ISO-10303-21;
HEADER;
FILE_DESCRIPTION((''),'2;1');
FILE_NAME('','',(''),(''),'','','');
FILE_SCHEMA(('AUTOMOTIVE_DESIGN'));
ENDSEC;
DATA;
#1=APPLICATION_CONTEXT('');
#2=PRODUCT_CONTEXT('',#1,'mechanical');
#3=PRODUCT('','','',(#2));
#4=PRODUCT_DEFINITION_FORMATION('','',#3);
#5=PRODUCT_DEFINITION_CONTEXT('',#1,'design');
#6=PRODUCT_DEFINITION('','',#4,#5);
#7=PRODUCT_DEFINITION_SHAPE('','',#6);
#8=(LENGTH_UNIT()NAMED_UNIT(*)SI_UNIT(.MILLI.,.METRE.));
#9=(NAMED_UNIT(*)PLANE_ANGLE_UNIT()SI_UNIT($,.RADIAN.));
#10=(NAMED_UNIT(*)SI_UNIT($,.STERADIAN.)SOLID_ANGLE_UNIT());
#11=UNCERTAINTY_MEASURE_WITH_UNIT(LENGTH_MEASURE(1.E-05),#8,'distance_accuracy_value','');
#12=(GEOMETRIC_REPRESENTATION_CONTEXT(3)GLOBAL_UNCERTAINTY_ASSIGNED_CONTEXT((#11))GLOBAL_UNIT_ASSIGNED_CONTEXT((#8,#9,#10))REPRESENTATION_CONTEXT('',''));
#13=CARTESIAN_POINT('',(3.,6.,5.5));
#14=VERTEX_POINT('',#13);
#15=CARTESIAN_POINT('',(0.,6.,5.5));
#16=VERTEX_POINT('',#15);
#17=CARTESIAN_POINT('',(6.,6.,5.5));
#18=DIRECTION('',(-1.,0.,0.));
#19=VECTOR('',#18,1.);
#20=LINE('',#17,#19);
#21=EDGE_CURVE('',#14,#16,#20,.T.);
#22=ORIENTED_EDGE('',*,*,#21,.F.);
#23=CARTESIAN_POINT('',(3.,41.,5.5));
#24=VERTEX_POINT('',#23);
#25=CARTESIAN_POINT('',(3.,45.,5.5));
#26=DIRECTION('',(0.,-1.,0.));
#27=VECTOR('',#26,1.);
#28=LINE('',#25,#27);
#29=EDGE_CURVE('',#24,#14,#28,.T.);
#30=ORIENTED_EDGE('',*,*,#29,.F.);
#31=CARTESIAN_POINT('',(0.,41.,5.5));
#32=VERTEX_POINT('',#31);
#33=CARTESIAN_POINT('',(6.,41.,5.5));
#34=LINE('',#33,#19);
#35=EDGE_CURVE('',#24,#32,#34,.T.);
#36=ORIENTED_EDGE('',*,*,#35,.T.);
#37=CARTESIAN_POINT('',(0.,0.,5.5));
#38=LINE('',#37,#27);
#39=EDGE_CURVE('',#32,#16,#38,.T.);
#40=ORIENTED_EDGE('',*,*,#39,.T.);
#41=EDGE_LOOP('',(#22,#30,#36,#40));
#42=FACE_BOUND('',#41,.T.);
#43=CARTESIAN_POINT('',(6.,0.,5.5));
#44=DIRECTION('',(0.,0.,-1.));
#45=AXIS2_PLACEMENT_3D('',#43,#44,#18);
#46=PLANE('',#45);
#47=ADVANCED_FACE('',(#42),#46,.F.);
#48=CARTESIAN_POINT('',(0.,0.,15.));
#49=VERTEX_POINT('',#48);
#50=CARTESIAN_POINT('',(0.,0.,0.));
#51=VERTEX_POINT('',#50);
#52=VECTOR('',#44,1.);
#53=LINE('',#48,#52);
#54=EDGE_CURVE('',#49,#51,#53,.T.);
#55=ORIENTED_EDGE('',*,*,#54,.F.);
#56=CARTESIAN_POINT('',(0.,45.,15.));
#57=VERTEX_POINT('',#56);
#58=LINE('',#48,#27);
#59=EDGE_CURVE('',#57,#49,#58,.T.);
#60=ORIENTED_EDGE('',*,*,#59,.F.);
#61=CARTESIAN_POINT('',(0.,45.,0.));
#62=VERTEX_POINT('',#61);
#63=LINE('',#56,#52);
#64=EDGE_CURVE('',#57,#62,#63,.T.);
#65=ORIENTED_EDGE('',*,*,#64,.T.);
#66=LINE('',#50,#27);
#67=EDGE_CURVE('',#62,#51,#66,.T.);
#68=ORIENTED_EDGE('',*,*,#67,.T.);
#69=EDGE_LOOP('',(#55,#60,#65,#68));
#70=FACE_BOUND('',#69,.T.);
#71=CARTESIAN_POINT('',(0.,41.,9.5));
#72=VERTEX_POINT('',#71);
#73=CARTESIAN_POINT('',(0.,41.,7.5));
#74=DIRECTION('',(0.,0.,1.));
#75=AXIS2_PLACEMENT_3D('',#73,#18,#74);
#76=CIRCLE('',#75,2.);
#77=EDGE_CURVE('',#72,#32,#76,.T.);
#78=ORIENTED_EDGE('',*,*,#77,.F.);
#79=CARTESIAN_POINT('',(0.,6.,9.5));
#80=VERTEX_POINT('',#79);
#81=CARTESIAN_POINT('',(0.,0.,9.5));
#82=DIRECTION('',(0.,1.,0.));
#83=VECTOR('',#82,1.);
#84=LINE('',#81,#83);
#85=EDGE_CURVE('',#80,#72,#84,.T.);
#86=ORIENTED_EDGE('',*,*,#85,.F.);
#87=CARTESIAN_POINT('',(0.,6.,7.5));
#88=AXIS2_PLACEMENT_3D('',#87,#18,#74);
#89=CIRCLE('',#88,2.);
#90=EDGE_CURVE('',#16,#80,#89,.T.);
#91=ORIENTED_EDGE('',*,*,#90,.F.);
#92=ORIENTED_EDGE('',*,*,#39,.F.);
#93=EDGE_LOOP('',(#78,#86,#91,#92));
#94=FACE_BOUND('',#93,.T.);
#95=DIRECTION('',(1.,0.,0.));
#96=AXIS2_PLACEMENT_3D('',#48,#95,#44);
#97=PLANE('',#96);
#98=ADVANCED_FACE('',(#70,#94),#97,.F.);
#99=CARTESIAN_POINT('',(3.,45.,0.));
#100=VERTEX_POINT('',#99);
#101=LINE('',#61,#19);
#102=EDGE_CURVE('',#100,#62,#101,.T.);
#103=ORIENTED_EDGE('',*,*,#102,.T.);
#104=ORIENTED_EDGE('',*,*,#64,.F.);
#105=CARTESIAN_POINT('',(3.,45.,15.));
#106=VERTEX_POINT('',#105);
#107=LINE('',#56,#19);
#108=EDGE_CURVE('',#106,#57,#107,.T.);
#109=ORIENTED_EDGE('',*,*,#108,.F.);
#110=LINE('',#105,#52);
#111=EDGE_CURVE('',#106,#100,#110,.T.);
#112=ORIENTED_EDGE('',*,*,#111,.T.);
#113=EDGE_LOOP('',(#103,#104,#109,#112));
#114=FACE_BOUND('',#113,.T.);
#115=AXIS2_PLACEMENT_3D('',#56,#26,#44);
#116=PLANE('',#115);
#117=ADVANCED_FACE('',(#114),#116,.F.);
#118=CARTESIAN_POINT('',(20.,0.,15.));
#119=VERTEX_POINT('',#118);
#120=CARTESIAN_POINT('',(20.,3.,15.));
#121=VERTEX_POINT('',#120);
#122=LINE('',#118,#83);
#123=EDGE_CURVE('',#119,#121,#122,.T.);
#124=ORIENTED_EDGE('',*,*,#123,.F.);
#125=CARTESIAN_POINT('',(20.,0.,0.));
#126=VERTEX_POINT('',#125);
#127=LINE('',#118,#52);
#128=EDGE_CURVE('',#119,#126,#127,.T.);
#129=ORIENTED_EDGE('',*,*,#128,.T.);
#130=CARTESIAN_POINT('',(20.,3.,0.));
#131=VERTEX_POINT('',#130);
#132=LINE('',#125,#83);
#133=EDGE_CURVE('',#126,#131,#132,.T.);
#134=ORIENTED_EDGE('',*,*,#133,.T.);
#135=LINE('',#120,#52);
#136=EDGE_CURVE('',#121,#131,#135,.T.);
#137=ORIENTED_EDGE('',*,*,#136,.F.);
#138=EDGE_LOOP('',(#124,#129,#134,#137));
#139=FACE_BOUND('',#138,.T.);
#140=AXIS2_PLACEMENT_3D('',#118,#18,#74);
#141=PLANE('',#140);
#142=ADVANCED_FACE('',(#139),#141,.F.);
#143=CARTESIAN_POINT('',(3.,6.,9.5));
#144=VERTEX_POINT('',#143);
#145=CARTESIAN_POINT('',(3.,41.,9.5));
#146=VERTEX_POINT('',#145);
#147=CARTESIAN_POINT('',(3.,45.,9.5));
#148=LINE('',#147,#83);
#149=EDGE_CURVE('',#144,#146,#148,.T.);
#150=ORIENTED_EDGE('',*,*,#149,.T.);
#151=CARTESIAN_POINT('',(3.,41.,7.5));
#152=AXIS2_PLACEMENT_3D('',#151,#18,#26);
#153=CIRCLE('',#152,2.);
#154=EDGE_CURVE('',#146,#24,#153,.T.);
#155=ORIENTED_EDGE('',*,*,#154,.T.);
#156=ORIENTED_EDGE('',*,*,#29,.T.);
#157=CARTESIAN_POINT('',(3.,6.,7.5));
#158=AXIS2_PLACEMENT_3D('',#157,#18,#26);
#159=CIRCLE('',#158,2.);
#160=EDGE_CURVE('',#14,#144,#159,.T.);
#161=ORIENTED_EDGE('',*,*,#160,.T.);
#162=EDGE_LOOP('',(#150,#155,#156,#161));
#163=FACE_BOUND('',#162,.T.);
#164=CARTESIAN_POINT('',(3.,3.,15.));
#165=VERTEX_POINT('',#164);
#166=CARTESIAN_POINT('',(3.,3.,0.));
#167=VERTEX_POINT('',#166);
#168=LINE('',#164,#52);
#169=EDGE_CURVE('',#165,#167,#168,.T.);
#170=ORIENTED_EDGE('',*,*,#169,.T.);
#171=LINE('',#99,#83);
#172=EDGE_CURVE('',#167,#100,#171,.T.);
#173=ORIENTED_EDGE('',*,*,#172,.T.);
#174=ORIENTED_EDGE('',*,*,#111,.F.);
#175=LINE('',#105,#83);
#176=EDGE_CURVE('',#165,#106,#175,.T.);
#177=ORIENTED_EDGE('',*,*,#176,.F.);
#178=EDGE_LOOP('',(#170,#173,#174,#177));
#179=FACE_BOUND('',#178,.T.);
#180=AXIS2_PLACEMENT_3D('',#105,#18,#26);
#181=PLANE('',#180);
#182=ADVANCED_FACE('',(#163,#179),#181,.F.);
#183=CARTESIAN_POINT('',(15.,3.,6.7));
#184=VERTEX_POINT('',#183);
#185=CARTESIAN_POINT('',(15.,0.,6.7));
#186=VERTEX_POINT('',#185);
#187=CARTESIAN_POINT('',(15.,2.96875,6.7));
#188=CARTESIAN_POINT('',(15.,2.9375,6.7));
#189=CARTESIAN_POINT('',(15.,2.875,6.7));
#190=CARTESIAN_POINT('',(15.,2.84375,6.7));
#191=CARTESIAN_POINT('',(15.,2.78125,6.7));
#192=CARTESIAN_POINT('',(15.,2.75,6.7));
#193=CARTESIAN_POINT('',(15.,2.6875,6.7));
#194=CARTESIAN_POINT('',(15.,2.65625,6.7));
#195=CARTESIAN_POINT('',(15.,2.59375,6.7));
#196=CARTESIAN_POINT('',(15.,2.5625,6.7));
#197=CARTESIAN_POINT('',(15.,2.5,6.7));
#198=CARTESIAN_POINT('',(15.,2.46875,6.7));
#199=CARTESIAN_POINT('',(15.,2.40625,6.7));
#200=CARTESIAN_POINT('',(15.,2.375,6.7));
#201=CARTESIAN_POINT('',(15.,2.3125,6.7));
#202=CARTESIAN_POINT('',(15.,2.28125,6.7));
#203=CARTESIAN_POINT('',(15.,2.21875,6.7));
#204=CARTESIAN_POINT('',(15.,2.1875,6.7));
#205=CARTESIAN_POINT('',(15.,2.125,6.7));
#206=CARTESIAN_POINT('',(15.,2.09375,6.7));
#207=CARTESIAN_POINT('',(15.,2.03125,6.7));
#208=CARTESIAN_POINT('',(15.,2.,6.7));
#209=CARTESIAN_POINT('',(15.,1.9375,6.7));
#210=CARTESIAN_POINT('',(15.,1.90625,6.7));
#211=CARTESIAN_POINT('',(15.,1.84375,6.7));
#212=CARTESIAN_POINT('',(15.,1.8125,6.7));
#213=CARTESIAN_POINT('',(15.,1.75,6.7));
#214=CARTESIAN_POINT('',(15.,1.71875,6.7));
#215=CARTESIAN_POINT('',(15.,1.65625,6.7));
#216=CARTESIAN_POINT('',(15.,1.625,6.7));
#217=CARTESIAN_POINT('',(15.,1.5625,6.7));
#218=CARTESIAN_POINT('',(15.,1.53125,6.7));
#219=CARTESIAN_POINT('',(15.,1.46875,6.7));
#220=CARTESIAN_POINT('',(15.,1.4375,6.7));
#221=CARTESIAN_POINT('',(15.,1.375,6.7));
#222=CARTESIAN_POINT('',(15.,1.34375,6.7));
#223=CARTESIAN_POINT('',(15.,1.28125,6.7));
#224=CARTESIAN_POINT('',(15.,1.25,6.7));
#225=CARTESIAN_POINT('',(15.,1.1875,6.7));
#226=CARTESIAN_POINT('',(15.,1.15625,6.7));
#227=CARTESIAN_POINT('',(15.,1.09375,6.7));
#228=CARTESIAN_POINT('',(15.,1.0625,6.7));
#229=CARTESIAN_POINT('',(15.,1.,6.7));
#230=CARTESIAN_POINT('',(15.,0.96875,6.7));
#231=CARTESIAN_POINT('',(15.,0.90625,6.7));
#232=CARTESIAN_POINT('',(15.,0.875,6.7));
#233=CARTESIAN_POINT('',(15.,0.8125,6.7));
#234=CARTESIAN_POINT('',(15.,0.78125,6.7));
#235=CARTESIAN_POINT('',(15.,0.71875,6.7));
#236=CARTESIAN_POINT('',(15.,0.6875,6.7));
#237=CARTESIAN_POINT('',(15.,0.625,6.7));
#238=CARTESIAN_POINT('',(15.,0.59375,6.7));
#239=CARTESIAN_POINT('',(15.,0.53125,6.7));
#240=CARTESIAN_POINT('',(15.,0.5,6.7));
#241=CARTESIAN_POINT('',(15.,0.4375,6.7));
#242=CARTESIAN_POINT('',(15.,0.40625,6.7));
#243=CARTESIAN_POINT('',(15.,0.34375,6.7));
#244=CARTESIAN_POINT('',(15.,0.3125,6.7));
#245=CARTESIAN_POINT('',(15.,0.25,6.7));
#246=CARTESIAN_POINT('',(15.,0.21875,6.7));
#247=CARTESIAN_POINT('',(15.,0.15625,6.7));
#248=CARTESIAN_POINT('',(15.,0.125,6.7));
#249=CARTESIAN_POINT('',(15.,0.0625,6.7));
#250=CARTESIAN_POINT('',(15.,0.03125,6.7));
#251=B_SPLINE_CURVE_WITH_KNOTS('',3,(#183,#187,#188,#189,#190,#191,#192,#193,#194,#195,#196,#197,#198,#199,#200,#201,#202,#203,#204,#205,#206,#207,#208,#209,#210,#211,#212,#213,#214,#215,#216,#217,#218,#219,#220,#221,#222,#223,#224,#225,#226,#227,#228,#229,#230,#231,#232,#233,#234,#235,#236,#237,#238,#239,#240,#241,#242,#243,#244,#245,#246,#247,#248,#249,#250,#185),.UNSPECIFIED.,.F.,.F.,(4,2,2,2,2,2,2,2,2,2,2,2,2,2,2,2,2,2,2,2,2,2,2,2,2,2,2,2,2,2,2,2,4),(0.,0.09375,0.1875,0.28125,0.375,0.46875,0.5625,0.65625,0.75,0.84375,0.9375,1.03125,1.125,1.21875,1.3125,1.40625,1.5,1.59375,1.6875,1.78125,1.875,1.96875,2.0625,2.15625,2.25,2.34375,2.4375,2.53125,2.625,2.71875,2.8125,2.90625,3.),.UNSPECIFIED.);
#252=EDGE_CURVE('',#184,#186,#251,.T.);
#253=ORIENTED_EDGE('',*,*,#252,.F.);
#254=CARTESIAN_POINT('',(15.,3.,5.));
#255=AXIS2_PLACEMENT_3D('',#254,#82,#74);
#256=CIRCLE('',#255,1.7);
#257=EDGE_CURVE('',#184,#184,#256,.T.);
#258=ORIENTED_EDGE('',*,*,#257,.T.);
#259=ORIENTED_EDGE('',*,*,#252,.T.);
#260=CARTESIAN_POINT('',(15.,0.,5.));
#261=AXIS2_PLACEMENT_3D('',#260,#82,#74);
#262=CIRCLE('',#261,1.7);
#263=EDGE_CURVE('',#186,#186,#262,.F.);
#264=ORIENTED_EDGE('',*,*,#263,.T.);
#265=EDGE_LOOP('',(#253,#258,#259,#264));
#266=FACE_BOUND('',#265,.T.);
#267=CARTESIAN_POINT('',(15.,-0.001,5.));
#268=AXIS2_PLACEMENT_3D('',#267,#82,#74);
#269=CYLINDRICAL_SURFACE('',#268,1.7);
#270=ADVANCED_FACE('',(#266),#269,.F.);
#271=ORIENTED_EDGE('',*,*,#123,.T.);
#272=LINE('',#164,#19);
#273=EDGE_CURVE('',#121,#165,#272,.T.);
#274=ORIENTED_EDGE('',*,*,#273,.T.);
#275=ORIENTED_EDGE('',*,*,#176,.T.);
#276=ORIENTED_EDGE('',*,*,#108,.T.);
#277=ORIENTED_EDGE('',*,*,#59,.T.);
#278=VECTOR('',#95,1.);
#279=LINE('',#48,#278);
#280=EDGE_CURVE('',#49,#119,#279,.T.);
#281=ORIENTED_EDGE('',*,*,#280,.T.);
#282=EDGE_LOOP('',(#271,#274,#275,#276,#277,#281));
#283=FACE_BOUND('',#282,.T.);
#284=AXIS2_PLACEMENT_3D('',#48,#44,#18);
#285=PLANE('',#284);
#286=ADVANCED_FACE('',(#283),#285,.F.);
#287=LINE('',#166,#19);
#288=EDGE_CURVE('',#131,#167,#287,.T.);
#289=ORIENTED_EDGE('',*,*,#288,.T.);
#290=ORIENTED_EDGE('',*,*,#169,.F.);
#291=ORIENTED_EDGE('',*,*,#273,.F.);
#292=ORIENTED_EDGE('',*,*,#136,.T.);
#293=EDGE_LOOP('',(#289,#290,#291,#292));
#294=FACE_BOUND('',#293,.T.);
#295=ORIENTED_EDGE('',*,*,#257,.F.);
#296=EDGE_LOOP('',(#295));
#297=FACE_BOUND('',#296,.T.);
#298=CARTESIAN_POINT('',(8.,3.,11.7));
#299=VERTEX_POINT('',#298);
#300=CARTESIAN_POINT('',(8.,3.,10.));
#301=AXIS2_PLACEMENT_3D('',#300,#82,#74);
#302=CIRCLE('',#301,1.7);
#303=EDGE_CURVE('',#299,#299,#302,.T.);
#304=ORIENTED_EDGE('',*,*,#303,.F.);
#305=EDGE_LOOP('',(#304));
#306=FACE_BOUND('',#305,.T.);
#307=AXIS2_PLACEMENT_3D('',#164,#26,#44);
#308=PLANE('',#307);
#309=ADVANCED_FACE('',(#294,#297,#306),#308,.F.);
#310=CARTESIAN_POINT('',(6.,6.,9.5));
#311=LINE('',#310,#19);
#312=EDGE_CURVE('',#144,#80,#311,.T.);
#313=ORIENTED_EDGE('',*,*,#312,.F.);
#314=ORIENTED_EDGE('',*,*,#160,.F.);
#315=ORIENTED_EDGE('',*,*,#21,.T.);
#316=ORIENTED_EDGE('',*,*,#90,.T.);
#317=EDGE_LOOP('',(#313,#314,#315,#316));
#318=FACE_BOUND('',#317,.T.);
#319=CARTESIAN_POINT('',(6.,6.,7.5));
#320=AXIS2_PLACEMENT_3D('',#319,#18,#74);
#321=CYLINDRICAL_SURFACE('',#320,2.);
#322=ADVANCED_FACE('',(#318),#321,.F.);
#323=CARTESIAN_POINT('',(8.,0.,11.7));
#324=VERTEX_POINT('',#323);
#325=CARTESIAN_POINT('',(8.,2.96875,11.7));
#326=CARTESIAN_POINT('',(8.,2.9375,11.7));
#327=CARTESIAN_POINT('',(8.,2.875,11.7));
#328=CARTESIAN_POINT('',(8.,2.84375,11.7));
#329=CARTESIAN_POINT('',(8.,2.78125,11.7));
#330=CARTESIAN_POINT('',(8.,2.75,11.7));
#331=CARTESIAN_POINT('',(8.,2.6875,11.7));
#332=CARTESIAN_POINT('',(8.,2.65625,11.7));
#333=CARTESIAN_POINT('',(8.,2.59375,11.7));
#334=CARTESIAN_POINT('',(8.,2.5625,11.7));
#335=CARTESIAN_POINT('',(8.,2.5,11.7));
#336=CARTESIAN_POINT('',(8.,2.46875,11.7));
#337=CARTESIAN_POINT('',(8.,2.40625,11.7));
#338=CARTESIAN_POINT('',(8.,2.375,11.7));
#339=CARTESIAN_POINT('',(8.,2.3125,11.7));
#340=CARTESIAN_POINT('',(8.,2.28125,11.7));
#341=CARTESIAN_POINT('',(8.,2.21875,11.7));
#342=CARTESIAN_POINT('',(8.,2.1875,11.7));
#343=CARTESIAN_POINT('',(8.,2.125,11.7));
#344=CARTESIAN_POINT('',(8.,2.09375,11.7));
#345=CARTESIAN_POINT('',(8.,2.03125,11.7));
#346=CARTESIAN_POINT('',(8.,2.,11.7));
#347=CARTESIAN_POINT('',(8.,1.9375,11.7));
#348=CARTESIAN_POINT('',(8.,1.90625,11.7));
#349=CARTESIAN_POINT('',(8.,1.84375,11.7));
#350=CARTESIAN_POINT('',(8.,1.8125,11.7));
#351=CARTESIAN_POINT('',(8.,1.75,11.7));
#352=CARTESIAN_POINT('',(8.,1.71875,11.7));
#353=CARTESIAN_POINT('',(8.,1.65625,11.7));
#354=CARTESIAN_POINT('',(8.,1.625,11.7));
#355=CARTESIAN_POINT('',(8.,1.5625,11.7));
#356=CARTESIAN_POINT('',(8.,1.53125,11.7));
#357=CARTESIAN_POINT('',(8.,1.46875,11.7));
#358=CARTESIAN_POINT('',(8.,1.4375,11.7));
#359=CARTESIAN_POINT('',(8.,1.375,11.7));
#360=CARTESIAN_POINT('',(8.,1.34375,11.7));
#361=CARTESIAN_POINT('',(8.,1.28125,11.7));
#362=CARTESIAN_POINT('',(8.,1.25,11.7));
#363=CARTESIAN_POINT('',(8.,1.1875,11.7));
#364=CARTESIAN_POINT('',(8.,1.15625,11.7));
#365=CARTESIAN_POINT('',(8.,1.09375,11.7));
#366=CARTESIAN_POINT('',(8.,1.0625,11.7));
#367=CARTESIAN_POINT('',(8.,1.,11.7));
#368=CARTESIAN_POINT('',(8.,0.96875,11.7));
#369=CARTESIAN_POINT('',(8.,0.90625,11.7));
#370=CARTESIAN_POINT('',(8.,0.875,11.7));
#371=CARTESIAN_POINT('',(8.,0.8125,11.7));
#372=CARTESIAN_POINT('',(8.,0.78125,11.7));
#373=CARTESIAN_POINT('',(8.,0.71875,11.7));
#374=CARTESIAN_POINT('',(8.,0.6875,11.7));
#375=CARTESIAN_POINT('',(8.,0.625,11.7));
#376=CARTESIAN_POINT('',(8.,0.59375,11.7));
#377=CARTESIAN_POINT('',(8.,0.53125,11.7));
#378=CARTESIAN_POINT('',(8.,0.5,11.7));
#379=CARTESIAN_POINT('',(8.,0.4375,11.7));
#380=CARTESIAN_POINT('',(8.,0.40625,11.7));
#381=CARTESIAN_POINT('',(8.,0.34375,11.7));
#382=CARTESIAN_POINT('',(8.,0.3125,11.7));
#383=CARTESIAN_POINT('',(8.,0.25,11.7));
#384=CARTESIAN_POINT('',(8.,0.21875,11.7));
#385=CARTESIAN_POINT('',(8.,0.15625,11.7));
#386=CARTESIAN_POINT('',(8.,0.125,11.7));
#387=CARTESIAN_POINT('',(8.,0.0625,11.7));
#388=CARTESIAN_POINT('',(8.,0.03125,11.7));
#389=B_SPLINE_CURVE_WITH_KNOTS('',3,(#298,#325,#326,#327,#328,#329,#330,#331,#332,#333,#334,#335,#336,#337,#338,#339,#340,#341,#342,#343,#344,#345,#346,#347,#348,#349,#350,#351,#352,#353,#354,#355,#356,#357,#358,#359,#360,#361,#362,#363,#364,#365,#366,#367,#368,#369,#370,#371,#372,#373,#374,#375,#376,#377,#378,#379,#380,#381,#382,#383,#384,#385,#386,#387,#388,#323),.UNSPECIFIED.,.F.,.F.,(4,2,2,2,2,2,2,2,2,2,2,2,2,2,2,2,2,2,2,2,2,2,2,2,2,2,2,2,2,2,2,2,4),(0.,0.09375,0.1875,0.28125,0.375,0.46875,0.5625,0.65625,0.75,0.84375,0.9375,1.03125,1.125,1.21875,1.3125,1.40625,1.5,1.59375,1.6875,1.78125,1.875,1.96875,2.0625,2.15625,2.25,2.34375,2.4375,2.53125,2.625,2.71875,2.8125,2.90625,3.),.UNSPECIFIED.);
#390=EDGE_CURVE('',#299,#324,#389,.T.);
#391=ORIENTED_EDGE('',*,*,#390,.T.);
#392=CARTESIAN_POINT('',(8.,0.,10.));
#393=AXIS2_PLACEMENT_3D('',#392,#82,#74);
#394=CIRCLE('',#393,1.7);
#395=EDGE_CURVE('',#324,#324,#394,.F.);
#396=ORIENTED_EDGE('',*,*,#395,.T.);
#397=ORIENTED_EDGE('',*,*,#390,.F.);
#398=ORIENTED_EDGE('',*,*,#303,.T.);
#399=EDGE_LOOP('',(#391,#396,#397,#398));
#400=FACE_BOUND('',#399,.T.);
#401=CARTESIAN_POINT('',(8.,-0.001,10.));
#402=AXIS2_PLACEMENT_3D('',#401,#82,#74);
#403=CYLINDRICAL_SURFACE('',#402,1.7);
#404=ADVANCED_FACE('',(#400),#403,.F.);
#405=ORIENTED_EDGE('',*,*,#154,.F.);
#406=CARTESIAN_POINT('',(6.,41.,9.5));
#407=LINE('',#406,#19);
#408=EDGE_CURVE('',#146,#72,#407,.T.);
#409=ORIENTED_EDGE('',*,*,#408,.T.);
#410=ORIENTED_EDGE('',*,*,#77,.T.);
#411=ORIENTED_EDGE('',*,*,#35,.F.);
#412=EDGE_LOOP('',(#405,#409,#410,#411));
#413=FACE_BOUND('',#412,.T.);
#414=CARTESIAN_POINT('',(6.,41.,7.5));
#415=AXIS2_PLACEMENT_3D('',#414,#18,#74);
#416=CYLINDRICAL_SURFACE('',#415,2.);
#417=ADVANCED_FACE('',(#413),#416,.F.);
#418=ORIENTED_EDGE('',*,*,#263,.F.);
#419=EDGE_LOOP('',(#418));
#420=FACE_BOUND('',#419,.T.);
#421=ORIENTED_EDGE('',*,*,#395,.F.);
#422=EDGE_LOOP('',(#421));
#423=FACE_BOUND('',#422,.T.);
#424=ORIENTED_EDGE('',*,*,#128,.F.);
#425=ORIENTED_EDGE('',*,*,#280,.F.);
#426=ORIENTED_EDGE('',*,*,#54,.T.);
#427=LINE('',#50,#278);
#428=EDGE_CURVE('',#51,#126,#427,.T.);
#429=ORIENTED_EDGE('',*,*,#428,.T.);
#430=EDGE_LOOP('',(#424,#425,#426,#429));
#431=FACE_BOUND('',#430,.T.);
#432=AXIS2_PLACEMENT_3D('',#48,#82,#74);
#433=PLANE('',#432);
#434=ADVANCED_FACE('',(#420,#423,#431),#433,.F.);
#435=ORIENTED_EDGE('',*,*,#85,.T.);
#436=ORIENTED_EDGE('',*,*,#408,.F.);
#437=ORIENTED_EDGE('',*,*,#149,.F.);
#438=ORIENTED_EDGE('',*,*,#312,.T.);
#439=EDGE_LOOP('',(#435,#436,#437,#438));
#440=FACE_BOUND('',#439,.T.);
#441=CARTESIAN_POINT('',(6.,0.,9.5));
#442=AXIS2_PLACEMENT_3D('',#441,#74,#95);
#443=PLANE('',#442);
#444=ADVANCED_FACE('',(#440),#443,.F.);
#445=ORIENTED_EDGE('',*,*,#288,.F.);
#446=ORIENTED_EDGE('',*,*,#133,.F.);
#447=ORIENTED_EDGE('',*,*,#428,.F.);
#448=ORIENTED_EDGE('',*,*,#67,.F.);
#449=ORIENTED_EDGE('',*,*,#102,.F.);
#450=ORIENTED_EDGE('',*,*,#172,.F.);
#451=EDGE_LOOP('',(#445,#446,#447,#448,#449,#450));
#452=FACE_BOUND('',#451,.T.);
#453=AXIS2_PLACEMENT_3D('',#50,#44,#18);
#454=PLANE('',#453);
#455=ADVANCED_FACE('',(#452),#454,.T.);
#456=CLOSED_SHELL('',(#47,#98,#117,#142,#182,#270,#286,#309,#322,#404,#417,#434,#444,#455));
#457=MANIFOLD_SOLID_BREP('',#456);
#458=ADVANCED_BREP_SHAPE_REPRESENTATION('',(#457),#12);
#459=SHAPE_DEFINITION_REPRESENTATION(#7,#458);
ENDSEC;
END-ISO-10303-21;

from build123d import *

# Parameters (mm, degrees)
BOSS_EXTRUDE1_DEPTH = 15
CUT_EXTRUDE1_DEPTH  = 6
CUT_EXTRUDE2_REACH  = 50.877
SKETCH3_R           = 1.7


with BuildPart() as part:
    # Sketch1 → Boss-Extrude1 (new body)
    with BuildSketch(Plane.XY):
        Polygon((3, 45), (3, 3), (20, 3), (20, 0), (0, 0), (0, 45), align=None)
    extrude(amount=BOSS_EXTRUDE1_DEPTH)

    # Sketch2 → Cut-Extrude1 (cut)
    with BuildSketch(Plane.ZY):
        with BuildLine():
            ThreePointArc((5.5, 6), (6.085786438, 4.585786438), (7.5, 4))
            Line((7.5, 4), (7.5, 8))
            ThreePointArc((7.5, 8), (6.085786438, 7.414213562), (5.5, 6))
        make_face()
        with BuildLine():
            Line((7.5, 8), (7.5, 4))
            ThreePointArc((7.5, 4), (8.914213562, 4.585786438), (9.5, 6))
            ThreePointArc((9.5, 6), (8.914213562, 7.414213562), (7.5, 8))
        make_face()
        with BuildLine():
            ThreePointArc((5.5, 41), (6.085786438, 39.585786438), (7.5, 39))
            Line((7.5, 39), (7.5, 43))
            ThreePointArc((7.5, 43), (6.085786438, 42.414213562), (5.5, 41))
        make_face()
        with BuildLine():
            Line((7.5, 43), (7.5, 39))
            ThreePointArc((7.5, 39), (8.914213562, 39.585786438), (9.5, 41))
            ThreePointArc((9.5, 41), (8.914213562, 42.414213562), (7.5, 43))
        make_face()
        with BuildLine():
            ThreePointArc((5.5, 6), (6.085786438, 7.414213562), (7.5, 8))
            Line((7.5, 8), (7.5, 39))
            ThreePointArc((7.5, 39), (6.085786438, 39.585786438), (5.5, 41))
            Line((5.5, 41), (5.5, 6))
        make_face()
        with BuildLine():
            Line((7.5, 39), (7.5, 8))
            ThreePointArc((7.5, 8), (8.914213562, 7.414213562), (9.5, 6))
            Line((9.5, 6), (9.5, 41))
            ThreePointArc((9.5, 41), (8.914213562, 39.585786438), (7.5, 39))
        make_face()
    extrude(amount=-CUT_EXTRUDE1_DEPTH, mode=Mode.SUBTRACT)

    # Sketch3 → Cut-Extrude2 (cut, up to next)
    with BuildSketch(Plane(origin=(0, 3, 0), x_dir=(1, 0, 0), z_dir=(0, 1, 0)), mode=Mode.PRIVATE) as cut_extrude2_sk1:
        with Locations(Location((8, -10, 0), (0, 0, 270))):
            Circle(SKETCH3_R)
    cut_extrude2_tool1 = extrude(cut_extrude2_sk1.sketch, amount=-CUT_EXTRUDE2_REACH, mode=Mode.PRIVATE) & part.part
    # Sketch3 → Cut-Extrude2 (cut, up to next)
    with BuildSketch(Plane(origin=(0, 3, 0), x_dir=(1, 0, 0), z_dir=(0, 1, 0)), mode=Mode.PRIVATE) as cut_extrude2_sk2:
        with Locations(Location((15, -5, 0), (0, 0, 270))):
            Circle(SKETCH3_R)
    cut_extrude2_tool2 = extrude(cut_extrude2_sk2.sketch, amount=-CUT_EXTRUDE2_REACH, mode=Mode.PRIVATE) & part.part
    add(cut_extrude2_tool1.solids().sort_by_distance((8, 3, 10))[0], mode=Mode.SUBTRACT)
    add(cut_extrude2_tool2.solids().sort_by_distance((15, 3, 5))[0], mode=Mode.SUBTRACT)


solid = part.part
